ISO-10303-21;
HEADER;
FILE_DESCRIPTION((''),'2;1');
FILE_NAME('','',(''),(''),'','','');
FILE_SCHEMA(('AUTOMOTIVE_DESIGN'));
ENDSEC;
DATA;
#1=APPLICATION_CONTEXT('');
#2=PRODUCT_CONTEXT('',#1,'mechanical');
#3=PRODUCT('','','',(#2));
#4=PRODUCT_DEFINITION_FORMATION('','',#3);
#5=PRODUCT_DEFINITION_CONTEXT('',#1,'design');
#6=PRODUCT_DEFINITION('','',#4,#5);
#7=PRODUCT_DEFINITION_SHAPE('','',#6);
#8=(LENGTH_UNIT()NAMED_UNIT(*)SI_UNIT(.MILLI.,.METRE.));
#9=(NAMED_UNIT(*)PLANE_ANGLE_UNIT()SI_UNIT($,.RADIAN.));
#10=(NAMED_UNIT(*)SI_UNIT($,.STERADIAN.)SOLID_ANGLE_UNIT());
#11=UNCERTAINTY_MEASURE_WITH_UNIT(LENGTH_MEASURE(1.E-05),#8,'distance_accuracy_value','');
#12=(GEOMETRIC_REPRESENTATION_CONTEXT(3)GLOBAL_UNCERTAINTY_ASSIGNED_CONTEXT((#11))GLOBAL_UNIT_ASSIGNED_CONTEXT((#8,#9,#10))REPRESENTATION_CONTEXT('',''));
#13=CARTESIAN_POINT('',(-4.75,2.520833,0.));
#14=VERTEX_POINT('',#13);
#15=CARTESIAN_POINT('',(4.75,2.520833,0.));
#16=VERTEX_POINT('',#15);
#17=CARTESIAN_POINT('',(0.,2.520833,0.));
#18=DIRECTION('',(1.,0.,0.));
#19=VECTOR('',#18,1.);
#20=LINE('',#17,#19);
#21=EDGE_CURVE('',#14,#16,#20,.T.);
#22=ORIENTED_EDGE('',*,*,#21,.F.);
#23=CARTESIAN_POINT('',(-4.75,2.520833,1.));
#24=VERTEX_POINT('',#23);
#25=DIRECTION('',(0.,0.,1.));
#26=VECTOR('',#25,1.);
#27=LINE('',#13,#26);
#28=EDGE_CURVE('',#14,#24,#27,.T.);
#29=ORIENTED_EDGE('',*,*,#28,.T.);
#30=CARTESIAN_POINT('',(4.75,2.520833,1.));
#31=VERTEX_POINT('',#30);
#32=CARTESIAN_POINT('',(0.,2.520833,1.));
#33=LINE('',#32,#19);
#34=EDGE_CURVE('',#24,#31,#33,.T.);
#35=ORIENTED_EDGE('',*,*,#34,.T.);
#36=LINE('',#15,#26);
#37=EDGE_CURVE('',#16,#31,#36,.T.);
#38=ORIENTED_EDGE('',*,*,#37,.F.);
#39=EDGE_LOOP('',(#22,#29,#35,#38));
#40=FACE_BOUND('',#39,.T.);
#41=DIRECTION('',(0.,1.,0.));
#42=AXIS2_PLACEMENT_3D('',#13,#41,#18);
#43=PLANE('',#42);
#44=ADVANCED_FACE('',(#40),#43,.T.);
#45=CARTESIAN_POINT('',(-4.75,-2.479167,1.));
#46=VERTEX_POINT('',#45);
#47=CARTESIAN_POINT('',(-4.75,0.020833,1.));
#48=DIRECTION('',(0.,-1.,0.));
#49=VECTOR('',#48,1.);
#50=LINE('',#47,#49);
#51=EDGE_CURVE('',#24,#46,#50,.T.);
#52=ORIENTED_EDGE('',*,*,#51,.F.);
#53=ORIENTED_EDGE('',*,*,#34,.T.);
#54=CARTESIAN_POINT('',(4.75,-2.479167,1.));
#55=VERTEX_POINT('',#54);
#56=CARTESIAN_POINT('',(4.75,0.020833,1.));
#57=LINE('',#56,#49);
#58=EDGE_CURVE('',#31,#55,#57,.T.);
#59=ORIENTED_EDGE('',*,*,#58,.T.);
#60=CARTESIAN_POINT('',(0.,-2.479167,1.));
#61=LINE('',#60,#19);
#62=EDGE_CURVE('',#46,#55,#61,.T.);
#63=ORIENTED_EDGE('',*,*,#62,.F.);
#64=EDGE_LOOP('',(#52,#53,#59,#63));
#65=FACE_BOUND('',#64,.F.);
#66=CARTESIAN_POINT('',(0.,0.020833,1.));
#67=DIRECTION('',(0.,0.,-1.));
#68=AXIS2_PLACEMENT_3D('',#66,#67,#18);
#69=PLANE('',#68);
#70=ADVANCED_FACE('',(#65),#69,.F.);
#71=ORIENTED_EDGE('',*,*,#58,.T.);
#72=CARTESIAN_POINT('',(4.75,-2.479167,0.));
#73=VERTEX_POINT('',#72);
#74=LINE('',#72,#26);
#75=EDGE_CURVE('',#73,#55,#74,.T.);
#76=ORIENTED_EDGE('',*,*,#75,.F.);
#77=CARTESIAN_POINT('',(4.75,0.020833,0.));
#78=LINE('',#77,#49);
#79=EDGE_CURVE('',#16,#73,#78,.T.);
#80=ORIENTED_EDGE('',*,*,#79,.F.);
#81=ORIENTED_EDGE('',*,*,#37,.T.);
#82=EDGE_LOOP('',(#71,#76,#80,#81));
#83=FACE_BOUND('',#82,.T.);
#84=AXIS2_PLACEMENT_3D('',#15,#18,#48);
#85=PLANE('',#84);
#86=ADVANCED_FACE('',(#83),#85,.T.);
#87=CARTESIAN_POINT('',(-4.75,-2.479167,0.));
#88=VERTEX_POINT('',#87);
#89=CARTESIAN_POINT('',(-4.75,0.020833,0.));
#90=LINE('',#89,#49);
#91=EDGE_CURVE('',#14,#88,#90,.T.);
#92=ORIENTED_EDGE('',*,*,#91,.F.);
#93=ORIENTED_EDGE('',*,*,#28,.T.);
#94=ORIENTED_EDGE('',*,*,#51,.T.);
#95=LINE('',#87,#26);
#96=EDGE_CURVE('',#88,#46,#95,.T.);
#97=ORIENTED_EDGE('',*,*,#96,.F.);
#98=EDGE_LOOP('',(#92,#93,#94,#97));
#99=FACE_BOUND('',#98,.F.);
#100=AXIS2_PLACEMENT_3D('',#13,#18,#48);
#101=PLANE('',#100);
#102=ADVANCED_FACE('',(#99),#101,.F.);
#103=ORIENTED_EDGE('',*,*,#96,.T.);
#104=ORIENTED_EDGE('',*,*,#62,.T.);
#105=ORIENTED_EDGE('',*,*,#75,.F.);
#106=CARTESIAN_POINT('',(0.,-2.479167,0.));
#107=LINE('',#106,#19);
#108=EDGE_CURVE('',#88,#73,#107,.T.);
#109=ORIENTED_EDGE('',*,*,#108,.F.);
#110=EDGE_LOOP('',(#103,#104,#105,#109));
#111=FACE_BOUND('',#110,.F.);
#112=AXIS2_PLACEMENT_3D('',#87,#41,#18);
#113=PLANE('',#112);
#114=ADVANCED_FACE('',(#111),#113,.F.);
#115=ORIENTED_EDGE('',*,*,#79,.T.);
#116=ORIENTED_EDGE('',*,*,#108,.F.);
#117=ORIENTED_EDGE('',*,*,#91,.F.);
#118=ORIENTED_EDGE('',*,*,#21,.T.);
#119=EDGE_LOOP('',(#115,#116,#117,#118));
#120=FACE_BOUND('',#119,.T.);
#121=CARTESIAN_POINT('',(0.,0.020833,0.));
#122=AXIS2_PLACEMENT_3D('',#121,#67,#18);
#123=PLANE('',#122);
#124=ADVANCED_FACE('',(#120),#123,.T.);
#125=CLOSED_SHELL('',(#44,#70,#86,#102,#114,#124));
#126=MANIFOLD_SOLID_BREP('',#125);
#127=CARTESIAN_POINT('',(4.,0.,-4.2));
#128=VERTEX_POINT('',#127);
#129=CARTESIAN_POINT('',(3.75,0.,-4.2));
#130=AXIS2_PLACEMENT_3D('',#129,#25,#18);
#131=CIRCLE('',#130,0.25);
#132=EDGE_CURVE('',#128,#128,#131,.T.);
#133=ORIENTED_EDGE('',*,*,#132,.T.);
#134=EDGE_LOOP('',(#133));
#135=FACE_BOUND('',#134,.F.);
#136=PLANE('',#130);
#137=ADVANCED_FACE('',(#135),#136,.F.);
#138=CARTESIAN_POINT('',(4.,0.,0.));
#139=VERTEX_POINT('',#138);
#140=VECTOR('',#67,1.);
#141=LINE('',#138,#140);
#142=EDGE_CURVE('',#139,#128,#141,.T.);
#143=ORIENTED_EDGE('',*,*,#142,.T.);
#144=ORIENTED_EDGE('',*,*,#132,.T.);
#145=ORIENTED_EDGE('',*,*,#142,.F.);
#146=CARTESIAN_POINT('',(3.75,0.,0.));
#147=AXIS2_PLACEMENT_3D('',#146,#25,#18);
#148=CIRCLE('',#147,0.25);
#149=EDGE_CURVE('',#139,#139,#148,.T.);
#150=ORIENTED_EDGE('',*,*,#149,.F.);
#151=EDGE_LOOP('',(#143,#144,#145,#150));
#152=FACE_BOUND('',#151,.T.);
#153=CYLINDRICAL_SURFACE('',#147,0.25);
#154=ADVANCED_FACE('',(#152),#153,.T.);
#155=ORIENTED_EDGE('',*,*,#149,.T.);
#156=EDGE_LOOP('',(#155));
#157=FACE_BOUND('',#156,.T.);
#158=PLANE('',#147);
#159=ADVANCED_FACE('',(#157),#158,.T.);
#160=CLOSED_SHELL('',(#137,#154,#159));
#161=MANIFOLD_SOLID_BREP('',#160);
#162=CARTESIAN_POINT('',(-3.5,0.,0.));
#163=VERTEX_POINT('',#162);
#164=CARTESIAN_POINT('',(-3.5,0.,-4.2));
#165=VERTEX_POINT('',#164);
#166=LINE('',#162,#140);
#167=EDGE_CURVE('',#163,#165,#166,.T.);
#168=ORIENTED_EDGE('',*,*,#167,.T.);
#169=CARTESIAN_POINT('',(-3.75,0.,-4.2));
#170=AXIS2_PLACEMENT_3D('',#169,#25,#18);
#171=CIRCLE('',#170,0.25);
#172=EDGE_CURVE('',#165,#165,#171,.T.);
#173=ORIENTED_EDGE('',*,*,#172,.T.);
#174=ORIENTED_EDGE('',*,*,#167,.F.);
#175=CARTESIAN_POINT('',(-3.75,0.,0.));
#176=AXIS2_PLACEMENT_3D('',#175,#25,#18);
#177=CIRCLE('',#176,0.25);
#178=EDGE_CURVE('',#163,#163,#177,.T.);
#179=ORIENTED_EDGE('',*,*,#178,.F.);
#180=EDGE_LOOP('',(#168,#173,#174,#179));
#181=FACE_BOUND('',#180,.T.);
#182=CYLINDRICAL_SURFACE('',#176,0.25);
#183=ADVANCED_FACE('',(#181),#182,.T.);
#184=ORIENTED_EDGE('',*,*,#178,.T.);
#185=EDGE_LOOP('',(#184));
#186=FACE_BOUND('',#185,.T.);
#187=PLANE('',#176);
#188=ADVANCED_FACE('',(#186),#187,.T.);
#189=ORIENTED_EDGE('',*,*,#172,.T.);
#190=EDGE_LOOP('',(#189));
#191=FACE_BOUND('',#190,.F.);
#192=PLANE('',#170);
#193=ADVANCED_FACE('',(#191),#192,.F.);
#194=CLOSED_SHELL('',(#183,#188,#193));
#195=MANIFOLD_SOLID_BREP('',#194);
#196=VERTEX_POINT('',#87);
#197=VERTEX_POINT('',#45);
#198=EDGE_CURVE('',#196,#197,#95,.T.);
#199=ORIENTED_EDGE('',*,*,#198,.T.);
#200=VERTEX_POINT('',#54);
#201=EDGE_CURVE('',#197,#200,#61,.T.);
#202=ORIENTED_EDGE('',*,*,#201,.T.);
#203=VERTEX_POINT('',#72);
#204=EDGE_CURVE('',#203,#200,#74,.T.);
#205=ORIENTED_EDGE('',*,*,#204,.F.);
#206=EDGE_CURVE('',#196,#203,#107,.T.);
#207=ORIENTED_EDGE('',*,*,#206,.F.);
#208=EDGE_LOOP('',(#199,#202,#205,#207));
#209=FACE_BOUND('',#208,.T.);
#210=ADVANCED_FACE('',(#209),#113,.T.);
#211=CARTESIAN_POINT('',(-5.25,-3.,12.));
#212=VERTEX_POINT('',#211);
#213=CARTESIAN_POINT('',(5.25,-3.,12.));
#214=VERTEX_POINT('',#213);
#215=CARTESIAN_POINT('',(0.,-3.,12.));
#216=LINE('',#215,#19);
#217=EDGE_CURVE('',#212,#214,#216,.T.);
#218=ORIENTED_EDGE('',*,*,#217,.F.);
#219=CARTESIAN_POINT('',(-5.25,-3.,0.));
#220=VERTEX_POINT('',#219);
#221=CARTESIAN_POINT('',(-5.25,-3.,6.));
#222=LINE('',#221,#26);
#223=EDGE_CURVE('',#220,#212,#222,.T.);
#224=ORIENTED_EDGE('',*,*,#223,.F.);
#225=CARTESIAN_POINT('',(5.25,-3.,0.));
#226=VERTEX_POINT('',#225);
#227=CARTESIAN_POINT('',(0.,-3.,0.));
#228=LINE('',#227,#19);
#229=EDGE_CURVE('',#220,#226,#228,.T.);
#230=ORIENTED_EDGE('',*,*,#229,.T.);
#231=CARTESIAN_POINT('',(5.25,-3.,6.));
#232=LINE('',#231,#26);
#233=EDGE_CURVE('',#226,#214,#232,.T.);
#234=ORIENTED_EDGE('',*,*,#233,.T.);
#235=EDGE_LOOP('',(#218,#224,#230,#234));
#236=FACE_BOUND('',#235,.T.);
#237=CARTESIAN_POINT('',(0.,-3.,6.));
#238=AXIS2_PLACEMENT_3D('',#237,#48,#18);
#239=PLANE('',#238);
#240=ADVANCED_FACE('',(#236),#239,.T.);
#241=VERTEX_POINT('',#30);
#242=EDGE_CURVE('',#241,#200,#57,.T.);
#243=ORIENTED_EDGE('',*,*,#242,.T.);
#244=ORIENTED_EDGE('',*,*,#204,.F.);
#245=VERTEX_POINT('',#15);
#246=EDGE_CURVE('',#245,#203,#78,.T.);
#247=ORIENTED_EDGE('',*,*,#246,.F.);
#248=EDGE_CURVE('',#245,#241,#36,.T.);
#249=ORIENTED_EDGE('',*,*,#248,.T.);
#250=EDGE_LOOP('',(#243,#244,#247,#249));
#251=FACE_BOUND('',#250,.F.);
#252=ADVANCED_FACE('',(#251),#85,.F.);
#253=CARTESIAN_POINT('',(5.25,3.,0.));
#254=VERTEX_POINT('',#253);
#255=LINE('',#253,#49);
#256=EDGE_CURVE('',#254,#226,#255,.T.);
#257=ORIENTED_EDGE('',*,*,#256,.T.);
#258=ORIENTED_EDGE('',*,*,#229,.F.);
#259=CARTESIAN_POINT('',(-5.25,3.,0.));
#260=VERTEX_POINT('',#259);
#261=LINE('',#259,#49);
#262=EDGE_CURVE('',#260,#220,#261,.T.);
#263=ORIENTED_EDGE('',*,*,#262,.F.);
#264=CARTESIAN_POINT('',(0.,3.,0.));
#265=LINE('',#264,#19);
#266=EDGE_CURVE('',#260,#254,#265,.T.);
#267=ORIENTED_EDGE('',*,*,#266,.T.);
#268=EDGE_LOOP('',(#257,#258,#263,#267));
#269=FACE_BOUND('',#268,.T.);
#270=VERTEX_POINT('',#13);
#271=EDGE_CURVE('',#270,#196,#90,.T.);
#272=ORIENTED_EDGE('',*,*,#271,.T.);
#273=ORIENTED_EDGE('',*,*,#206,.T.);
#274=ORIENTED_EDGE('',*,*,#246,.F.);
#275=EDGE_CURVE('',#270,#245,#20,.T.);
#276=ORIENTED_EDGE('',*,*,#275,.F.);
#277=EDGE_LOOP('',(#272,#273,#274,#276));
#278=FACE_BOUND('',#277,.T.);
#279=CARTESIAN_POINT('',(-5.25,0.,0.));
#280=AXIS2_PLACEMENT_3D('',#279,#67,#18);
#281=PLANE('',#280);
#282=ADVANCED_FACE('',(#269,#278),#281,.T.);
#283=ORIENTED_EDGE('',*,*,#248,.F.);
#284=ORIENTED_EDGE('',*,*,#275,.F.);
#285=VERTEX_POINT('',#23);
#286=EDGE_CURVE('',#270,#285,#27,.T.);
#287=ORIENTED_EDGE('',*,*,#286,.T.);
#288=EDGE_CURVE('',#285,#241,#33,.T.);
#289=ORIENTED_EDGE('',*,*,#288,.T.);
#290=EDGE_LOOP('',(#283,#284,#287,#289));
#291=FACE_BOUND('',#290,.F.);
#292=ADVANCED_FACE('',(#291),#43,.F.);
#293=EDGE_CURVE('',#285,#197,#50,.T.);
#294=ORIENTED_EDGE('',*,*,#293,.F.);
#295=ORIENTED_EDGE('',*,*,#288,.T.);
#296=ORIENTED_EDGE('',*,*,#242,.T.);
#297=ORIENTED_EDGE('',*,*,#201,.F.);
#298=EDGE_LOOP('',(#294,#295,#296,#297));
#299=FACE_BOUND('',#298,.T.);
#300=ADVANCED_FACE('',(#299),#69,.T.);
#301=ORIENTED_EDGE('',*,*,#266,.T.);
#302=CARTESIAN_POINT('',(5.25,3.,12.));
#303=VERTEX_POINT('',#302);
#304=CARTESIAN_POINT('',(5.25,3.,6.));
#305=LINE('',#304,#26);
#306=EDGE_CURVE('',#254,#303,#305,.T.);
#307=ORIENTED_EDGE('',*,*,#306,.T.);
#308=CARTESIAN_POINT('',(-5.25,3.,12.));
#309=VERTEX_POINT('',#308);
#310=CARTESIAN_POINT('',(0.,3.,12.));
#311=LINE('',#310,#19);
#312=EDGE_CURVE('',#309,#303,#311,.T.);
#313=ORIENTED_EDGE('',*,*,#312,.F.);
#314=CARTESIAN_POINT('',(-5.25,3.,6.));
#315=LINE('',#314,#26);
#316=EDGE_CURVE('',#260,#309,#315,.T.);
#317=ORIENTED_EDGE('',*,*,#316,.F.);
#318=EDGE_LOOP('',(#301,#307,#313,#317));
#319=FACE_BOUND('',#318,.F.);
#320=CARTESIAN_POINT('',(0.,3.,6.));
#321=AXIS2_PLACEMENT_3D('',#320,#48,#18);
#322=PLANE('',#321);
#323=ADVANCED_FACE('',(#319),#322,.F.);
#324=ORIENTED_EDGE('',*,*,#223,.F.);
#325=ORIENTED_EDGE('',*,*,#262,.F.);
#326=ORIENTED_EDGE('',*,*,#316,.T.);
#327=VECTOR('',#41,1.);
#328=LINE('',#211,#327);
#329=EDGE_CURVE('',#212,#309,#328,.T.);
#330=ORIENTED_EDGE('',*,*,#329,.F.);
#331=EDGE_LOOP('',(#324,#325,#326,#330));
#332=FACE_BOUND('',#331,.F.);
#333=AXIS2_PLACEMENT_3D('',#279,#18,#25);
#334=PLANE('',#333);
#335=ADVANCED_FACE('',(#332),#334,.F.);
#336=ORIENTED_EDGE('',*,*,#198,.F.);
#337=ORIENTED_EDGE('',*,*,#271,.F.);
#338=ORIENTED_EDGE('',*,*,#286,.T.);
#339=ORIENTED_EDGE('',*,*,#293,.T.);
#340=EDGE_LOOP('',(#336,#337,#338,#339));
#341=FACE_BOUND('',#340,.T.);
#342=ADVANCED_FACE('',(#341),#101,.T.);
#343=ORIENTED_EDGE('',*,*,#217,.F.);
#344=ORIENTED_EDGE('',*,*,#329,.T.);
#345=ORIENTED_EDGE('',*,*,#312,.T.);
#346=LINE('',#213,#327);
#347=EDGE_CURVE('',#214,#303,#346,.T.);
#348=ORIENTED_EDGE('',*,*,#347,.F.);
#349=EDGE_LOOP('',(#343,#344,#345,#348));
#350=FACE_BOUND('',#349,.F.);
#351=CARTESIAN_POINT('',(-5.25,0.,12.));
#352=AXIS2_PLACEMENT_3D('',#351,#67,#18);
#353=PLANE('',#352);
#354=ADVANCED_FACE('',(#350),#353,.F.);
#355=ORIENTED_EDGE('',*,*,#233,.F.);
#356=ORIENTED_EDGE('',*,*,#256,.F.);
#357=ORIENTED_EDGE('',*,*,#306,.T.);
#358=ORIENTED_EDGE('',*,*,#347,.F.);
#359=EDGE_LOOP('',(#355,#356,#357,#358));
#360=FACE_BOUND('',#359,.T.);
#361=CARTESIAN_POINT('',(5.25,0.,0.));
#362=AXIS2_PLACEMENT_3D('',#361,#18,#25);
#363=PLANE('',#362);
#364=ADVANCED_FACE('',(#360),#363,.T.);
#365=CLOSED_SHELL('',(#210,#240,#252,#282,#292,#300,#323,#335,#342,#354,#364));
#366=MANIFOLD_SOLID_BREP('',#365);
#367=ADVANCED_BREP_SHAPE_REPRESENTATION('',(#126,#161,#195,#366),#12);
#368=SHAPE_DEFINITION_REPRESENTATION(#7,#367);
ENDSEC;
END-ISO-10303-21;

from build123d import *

# Parameters (mm, degrees)
F0_W          = 10.5
F0_H          = 12
F1_DEPTH      = 3
F1_DEPTH_BACK = 3
F2_R          = 0.25
F3_DEPTH      = 4.2
F4_W          = 9.5
F4_H          = 5
F5_DEPTH      = 1


with BuildPart() as f1:
    # F0 (on Front) → F1 (new body, two sides)
    with BuildSketch(Plane.XZ) as f1_sk:
        with Locations((0, 6)):
            Rectangle(F0_W, F0_H)
    extrude(amount=F1_DEPTH)
    extrude(f1_sk.sketch, amount=-F1_DEPTH_BACK)


with BuildPart() as f3:
    # F2 (on Top) → F3 (new body)
    with BuildSketch(Plane.XY):
        with Locations((-3.75, 0)):
            Circle(F2_R)
        with Locations((3.75, 0)):
            Circle(F2_R)
    extrude(amount=-F3_DEPTH)


with BuildPart() as f5:
    # F4 (on face) → F5 (new body)
    with BuildSketch(Plane(origin=(0, 0, 0), x_dir=(1, 0, 0), z_dir=(0, 0, -1))):
        with Locations((0, -0.020833)):
            Rectangle(F4_W, F4_H)
    extrude(amount=-F5_DEPTH)


with BuildPart() as f1_1:
    add(f1.part)

    # F6: cut F5
    add(f5.part, mode=Mode.SUBTRACT)


solid = Compound([f3.part, f5.part, f1_1.part])
